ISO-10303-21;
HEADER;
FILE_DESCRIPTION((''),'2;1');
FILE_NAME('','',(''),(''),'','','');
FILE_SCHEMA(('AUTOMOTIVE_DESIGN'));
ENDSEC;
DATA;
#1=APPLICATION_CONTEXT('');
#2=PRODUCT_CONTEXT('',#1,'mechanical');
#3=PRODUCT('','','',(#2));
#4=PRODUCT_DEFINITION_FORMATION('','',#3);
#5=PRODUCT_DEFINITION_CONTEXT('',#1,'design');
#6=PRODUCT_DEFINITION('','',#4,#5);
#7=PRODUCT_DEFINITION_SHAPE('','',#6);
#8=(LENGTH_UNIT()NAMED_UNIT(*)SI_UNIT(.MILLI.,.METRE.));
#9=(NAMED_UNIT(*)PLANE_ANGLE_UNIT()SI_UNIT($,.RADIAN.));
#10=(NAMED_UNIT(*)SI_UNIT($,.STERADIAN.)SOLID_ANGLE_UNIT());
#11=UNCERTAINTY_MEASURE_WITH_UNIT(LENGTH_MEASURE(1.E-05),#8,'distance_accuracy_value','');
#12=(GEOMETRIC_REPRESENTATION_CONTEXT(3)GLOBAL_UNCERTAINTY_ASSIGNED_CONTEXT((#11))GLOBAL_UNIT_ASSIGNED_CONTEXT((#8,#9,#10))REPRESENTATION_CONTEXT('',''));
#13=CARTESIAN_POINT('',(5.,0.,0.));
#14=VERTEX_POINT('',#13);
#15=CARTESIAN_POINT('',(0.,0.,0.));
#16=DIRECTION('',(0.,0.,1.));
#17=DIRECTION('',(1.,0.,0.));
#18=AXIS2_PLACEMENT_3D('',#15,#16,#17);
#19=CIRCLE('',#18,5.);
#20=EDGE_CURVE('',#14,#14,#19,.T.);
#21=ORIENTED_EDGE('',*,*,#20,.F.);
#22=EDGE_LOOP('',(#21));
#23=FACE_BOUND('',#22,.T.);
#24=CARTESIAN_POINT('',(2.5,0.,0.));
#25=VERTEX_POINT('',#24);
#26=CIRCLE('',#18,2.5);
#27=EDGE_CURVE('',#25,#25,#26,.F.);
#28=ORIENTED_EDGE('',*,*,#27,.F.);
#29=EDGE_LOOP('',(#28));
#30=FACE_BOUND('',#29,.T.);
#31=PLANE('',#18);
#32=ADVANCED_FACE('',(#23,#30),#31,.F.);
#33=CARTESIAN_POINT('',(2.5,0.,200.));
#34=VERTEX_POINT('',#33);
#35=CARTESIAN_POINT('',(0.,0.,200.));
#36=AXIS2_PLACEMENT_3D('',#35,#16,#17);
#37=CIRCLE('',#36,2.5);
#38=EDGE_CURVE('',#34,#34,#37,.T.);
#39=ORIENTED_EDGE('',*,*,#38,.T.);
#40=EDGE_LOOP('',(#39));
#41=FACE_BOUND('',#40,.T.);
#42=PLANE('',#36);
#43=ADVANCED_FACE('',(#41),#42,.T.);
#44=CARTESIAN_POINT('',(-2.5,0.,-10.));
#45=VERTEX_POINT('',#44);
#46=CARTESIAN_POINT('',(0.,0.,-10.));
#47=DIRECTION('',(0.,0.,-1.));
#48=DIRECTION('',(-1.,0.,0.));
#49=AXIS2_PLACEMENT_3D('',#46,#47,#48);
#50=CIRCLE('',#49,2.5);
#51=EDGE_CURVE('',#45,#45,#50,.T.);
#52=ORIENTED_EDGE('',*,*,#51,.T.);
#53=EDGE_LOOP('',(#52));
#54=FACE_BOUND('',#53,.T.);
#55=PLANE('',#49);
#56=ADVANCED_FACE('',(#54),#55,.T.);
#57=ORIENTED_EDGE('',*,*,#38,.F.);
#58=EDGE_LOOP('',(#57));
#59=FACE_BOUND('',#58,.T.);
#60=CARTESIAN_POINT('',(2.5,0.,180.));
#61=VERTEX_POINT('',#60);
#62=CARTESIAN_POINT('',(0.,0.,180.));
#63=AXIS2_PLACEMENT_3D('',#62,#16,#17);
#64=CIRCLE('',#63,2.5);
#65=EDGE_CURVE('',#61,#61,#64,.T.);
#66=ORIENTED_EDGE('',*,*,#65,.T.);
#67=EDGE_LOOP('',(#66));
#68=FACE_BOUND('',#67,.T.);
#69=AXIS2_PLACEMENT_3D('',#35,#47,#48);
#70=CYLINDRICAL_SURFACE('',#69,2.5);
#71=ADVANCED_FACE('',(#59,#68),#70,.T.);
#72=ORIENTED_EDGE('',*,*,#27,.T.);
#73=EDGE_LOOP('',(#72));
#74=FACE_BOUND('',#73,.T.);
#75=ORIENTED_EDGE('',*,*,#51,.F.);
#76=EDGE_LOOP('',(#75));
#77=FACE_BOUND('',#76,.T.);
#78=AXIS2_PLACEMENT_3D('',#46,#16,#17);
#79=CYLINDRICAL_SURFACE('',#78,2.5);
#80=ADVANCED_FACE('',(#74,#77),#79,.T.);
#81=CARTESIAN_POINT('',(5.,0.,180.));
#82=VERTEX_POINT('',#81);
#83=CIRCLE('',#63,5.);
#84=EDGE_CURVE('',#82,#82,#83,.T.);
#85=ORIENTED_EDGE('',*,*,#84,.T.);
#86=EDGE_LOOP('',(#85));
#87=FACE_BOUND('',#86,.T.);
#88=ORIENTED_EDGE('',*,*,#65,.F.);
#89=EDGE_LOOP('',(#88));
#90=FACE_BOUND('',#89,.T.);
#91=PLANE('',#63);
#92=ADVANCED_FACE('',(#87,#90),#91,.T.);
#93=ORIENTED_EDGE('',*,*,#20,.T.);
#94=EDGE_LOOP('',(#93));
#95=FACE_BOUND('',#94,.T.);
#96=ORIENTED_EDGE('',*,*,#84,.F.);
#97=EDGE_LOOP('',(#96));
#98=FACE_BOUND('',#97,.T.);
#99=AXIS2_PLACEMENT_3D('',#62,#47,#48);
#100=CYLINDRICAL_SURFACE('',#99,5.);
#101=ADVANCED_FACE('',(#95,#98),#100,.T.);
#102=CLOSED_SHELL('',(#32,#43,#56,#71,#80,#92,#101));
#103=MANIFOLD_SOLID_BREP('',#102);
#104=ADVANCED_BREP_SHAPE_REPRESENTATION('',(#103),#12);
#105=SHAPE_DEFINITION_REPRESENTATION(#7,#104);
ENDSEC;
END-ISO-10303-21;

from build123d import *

# Parameters (mm, degrees)
SKETCH1_R           = 5
BOSS_EXTRUDE1_DEPTH = 180
SKETCH2_R           = 2.5
BOSS_EXTRUDE2_DEPTH = 20
SKETCH3_R           = 2.5
BOSS_EXTRUDE3_DEPTH = 10


with BuildPart() as part:
    # Sketch1 → Boss-Extrude1 (new body)
    with BuildSketch(Plane.XY):
        Circle(SKETCH1_R)
    extrude(amount=BOSS_EXTRUDE1_DEPTH)

    # Sketch2 → Boss-Extrude2 (add)
    with BuildSketch(Plane.XY.offset(180)):
        Circle(SKETCH2_R)
    extrude(amount=BOSS_EXTRUDE2_DEPTH)

    # Sketch3 → Boss-Extrude3 (add)
    with BuildSketch(Plane(origin=(0, 0, 0), x_dir=(-1, 0, 0), z_dir=(0, 0, -1))):
        Circle(SKETCH3_R)
    extrude(amount=BOSS_EXTRUDE3_DEPTH)


solid = part.part
